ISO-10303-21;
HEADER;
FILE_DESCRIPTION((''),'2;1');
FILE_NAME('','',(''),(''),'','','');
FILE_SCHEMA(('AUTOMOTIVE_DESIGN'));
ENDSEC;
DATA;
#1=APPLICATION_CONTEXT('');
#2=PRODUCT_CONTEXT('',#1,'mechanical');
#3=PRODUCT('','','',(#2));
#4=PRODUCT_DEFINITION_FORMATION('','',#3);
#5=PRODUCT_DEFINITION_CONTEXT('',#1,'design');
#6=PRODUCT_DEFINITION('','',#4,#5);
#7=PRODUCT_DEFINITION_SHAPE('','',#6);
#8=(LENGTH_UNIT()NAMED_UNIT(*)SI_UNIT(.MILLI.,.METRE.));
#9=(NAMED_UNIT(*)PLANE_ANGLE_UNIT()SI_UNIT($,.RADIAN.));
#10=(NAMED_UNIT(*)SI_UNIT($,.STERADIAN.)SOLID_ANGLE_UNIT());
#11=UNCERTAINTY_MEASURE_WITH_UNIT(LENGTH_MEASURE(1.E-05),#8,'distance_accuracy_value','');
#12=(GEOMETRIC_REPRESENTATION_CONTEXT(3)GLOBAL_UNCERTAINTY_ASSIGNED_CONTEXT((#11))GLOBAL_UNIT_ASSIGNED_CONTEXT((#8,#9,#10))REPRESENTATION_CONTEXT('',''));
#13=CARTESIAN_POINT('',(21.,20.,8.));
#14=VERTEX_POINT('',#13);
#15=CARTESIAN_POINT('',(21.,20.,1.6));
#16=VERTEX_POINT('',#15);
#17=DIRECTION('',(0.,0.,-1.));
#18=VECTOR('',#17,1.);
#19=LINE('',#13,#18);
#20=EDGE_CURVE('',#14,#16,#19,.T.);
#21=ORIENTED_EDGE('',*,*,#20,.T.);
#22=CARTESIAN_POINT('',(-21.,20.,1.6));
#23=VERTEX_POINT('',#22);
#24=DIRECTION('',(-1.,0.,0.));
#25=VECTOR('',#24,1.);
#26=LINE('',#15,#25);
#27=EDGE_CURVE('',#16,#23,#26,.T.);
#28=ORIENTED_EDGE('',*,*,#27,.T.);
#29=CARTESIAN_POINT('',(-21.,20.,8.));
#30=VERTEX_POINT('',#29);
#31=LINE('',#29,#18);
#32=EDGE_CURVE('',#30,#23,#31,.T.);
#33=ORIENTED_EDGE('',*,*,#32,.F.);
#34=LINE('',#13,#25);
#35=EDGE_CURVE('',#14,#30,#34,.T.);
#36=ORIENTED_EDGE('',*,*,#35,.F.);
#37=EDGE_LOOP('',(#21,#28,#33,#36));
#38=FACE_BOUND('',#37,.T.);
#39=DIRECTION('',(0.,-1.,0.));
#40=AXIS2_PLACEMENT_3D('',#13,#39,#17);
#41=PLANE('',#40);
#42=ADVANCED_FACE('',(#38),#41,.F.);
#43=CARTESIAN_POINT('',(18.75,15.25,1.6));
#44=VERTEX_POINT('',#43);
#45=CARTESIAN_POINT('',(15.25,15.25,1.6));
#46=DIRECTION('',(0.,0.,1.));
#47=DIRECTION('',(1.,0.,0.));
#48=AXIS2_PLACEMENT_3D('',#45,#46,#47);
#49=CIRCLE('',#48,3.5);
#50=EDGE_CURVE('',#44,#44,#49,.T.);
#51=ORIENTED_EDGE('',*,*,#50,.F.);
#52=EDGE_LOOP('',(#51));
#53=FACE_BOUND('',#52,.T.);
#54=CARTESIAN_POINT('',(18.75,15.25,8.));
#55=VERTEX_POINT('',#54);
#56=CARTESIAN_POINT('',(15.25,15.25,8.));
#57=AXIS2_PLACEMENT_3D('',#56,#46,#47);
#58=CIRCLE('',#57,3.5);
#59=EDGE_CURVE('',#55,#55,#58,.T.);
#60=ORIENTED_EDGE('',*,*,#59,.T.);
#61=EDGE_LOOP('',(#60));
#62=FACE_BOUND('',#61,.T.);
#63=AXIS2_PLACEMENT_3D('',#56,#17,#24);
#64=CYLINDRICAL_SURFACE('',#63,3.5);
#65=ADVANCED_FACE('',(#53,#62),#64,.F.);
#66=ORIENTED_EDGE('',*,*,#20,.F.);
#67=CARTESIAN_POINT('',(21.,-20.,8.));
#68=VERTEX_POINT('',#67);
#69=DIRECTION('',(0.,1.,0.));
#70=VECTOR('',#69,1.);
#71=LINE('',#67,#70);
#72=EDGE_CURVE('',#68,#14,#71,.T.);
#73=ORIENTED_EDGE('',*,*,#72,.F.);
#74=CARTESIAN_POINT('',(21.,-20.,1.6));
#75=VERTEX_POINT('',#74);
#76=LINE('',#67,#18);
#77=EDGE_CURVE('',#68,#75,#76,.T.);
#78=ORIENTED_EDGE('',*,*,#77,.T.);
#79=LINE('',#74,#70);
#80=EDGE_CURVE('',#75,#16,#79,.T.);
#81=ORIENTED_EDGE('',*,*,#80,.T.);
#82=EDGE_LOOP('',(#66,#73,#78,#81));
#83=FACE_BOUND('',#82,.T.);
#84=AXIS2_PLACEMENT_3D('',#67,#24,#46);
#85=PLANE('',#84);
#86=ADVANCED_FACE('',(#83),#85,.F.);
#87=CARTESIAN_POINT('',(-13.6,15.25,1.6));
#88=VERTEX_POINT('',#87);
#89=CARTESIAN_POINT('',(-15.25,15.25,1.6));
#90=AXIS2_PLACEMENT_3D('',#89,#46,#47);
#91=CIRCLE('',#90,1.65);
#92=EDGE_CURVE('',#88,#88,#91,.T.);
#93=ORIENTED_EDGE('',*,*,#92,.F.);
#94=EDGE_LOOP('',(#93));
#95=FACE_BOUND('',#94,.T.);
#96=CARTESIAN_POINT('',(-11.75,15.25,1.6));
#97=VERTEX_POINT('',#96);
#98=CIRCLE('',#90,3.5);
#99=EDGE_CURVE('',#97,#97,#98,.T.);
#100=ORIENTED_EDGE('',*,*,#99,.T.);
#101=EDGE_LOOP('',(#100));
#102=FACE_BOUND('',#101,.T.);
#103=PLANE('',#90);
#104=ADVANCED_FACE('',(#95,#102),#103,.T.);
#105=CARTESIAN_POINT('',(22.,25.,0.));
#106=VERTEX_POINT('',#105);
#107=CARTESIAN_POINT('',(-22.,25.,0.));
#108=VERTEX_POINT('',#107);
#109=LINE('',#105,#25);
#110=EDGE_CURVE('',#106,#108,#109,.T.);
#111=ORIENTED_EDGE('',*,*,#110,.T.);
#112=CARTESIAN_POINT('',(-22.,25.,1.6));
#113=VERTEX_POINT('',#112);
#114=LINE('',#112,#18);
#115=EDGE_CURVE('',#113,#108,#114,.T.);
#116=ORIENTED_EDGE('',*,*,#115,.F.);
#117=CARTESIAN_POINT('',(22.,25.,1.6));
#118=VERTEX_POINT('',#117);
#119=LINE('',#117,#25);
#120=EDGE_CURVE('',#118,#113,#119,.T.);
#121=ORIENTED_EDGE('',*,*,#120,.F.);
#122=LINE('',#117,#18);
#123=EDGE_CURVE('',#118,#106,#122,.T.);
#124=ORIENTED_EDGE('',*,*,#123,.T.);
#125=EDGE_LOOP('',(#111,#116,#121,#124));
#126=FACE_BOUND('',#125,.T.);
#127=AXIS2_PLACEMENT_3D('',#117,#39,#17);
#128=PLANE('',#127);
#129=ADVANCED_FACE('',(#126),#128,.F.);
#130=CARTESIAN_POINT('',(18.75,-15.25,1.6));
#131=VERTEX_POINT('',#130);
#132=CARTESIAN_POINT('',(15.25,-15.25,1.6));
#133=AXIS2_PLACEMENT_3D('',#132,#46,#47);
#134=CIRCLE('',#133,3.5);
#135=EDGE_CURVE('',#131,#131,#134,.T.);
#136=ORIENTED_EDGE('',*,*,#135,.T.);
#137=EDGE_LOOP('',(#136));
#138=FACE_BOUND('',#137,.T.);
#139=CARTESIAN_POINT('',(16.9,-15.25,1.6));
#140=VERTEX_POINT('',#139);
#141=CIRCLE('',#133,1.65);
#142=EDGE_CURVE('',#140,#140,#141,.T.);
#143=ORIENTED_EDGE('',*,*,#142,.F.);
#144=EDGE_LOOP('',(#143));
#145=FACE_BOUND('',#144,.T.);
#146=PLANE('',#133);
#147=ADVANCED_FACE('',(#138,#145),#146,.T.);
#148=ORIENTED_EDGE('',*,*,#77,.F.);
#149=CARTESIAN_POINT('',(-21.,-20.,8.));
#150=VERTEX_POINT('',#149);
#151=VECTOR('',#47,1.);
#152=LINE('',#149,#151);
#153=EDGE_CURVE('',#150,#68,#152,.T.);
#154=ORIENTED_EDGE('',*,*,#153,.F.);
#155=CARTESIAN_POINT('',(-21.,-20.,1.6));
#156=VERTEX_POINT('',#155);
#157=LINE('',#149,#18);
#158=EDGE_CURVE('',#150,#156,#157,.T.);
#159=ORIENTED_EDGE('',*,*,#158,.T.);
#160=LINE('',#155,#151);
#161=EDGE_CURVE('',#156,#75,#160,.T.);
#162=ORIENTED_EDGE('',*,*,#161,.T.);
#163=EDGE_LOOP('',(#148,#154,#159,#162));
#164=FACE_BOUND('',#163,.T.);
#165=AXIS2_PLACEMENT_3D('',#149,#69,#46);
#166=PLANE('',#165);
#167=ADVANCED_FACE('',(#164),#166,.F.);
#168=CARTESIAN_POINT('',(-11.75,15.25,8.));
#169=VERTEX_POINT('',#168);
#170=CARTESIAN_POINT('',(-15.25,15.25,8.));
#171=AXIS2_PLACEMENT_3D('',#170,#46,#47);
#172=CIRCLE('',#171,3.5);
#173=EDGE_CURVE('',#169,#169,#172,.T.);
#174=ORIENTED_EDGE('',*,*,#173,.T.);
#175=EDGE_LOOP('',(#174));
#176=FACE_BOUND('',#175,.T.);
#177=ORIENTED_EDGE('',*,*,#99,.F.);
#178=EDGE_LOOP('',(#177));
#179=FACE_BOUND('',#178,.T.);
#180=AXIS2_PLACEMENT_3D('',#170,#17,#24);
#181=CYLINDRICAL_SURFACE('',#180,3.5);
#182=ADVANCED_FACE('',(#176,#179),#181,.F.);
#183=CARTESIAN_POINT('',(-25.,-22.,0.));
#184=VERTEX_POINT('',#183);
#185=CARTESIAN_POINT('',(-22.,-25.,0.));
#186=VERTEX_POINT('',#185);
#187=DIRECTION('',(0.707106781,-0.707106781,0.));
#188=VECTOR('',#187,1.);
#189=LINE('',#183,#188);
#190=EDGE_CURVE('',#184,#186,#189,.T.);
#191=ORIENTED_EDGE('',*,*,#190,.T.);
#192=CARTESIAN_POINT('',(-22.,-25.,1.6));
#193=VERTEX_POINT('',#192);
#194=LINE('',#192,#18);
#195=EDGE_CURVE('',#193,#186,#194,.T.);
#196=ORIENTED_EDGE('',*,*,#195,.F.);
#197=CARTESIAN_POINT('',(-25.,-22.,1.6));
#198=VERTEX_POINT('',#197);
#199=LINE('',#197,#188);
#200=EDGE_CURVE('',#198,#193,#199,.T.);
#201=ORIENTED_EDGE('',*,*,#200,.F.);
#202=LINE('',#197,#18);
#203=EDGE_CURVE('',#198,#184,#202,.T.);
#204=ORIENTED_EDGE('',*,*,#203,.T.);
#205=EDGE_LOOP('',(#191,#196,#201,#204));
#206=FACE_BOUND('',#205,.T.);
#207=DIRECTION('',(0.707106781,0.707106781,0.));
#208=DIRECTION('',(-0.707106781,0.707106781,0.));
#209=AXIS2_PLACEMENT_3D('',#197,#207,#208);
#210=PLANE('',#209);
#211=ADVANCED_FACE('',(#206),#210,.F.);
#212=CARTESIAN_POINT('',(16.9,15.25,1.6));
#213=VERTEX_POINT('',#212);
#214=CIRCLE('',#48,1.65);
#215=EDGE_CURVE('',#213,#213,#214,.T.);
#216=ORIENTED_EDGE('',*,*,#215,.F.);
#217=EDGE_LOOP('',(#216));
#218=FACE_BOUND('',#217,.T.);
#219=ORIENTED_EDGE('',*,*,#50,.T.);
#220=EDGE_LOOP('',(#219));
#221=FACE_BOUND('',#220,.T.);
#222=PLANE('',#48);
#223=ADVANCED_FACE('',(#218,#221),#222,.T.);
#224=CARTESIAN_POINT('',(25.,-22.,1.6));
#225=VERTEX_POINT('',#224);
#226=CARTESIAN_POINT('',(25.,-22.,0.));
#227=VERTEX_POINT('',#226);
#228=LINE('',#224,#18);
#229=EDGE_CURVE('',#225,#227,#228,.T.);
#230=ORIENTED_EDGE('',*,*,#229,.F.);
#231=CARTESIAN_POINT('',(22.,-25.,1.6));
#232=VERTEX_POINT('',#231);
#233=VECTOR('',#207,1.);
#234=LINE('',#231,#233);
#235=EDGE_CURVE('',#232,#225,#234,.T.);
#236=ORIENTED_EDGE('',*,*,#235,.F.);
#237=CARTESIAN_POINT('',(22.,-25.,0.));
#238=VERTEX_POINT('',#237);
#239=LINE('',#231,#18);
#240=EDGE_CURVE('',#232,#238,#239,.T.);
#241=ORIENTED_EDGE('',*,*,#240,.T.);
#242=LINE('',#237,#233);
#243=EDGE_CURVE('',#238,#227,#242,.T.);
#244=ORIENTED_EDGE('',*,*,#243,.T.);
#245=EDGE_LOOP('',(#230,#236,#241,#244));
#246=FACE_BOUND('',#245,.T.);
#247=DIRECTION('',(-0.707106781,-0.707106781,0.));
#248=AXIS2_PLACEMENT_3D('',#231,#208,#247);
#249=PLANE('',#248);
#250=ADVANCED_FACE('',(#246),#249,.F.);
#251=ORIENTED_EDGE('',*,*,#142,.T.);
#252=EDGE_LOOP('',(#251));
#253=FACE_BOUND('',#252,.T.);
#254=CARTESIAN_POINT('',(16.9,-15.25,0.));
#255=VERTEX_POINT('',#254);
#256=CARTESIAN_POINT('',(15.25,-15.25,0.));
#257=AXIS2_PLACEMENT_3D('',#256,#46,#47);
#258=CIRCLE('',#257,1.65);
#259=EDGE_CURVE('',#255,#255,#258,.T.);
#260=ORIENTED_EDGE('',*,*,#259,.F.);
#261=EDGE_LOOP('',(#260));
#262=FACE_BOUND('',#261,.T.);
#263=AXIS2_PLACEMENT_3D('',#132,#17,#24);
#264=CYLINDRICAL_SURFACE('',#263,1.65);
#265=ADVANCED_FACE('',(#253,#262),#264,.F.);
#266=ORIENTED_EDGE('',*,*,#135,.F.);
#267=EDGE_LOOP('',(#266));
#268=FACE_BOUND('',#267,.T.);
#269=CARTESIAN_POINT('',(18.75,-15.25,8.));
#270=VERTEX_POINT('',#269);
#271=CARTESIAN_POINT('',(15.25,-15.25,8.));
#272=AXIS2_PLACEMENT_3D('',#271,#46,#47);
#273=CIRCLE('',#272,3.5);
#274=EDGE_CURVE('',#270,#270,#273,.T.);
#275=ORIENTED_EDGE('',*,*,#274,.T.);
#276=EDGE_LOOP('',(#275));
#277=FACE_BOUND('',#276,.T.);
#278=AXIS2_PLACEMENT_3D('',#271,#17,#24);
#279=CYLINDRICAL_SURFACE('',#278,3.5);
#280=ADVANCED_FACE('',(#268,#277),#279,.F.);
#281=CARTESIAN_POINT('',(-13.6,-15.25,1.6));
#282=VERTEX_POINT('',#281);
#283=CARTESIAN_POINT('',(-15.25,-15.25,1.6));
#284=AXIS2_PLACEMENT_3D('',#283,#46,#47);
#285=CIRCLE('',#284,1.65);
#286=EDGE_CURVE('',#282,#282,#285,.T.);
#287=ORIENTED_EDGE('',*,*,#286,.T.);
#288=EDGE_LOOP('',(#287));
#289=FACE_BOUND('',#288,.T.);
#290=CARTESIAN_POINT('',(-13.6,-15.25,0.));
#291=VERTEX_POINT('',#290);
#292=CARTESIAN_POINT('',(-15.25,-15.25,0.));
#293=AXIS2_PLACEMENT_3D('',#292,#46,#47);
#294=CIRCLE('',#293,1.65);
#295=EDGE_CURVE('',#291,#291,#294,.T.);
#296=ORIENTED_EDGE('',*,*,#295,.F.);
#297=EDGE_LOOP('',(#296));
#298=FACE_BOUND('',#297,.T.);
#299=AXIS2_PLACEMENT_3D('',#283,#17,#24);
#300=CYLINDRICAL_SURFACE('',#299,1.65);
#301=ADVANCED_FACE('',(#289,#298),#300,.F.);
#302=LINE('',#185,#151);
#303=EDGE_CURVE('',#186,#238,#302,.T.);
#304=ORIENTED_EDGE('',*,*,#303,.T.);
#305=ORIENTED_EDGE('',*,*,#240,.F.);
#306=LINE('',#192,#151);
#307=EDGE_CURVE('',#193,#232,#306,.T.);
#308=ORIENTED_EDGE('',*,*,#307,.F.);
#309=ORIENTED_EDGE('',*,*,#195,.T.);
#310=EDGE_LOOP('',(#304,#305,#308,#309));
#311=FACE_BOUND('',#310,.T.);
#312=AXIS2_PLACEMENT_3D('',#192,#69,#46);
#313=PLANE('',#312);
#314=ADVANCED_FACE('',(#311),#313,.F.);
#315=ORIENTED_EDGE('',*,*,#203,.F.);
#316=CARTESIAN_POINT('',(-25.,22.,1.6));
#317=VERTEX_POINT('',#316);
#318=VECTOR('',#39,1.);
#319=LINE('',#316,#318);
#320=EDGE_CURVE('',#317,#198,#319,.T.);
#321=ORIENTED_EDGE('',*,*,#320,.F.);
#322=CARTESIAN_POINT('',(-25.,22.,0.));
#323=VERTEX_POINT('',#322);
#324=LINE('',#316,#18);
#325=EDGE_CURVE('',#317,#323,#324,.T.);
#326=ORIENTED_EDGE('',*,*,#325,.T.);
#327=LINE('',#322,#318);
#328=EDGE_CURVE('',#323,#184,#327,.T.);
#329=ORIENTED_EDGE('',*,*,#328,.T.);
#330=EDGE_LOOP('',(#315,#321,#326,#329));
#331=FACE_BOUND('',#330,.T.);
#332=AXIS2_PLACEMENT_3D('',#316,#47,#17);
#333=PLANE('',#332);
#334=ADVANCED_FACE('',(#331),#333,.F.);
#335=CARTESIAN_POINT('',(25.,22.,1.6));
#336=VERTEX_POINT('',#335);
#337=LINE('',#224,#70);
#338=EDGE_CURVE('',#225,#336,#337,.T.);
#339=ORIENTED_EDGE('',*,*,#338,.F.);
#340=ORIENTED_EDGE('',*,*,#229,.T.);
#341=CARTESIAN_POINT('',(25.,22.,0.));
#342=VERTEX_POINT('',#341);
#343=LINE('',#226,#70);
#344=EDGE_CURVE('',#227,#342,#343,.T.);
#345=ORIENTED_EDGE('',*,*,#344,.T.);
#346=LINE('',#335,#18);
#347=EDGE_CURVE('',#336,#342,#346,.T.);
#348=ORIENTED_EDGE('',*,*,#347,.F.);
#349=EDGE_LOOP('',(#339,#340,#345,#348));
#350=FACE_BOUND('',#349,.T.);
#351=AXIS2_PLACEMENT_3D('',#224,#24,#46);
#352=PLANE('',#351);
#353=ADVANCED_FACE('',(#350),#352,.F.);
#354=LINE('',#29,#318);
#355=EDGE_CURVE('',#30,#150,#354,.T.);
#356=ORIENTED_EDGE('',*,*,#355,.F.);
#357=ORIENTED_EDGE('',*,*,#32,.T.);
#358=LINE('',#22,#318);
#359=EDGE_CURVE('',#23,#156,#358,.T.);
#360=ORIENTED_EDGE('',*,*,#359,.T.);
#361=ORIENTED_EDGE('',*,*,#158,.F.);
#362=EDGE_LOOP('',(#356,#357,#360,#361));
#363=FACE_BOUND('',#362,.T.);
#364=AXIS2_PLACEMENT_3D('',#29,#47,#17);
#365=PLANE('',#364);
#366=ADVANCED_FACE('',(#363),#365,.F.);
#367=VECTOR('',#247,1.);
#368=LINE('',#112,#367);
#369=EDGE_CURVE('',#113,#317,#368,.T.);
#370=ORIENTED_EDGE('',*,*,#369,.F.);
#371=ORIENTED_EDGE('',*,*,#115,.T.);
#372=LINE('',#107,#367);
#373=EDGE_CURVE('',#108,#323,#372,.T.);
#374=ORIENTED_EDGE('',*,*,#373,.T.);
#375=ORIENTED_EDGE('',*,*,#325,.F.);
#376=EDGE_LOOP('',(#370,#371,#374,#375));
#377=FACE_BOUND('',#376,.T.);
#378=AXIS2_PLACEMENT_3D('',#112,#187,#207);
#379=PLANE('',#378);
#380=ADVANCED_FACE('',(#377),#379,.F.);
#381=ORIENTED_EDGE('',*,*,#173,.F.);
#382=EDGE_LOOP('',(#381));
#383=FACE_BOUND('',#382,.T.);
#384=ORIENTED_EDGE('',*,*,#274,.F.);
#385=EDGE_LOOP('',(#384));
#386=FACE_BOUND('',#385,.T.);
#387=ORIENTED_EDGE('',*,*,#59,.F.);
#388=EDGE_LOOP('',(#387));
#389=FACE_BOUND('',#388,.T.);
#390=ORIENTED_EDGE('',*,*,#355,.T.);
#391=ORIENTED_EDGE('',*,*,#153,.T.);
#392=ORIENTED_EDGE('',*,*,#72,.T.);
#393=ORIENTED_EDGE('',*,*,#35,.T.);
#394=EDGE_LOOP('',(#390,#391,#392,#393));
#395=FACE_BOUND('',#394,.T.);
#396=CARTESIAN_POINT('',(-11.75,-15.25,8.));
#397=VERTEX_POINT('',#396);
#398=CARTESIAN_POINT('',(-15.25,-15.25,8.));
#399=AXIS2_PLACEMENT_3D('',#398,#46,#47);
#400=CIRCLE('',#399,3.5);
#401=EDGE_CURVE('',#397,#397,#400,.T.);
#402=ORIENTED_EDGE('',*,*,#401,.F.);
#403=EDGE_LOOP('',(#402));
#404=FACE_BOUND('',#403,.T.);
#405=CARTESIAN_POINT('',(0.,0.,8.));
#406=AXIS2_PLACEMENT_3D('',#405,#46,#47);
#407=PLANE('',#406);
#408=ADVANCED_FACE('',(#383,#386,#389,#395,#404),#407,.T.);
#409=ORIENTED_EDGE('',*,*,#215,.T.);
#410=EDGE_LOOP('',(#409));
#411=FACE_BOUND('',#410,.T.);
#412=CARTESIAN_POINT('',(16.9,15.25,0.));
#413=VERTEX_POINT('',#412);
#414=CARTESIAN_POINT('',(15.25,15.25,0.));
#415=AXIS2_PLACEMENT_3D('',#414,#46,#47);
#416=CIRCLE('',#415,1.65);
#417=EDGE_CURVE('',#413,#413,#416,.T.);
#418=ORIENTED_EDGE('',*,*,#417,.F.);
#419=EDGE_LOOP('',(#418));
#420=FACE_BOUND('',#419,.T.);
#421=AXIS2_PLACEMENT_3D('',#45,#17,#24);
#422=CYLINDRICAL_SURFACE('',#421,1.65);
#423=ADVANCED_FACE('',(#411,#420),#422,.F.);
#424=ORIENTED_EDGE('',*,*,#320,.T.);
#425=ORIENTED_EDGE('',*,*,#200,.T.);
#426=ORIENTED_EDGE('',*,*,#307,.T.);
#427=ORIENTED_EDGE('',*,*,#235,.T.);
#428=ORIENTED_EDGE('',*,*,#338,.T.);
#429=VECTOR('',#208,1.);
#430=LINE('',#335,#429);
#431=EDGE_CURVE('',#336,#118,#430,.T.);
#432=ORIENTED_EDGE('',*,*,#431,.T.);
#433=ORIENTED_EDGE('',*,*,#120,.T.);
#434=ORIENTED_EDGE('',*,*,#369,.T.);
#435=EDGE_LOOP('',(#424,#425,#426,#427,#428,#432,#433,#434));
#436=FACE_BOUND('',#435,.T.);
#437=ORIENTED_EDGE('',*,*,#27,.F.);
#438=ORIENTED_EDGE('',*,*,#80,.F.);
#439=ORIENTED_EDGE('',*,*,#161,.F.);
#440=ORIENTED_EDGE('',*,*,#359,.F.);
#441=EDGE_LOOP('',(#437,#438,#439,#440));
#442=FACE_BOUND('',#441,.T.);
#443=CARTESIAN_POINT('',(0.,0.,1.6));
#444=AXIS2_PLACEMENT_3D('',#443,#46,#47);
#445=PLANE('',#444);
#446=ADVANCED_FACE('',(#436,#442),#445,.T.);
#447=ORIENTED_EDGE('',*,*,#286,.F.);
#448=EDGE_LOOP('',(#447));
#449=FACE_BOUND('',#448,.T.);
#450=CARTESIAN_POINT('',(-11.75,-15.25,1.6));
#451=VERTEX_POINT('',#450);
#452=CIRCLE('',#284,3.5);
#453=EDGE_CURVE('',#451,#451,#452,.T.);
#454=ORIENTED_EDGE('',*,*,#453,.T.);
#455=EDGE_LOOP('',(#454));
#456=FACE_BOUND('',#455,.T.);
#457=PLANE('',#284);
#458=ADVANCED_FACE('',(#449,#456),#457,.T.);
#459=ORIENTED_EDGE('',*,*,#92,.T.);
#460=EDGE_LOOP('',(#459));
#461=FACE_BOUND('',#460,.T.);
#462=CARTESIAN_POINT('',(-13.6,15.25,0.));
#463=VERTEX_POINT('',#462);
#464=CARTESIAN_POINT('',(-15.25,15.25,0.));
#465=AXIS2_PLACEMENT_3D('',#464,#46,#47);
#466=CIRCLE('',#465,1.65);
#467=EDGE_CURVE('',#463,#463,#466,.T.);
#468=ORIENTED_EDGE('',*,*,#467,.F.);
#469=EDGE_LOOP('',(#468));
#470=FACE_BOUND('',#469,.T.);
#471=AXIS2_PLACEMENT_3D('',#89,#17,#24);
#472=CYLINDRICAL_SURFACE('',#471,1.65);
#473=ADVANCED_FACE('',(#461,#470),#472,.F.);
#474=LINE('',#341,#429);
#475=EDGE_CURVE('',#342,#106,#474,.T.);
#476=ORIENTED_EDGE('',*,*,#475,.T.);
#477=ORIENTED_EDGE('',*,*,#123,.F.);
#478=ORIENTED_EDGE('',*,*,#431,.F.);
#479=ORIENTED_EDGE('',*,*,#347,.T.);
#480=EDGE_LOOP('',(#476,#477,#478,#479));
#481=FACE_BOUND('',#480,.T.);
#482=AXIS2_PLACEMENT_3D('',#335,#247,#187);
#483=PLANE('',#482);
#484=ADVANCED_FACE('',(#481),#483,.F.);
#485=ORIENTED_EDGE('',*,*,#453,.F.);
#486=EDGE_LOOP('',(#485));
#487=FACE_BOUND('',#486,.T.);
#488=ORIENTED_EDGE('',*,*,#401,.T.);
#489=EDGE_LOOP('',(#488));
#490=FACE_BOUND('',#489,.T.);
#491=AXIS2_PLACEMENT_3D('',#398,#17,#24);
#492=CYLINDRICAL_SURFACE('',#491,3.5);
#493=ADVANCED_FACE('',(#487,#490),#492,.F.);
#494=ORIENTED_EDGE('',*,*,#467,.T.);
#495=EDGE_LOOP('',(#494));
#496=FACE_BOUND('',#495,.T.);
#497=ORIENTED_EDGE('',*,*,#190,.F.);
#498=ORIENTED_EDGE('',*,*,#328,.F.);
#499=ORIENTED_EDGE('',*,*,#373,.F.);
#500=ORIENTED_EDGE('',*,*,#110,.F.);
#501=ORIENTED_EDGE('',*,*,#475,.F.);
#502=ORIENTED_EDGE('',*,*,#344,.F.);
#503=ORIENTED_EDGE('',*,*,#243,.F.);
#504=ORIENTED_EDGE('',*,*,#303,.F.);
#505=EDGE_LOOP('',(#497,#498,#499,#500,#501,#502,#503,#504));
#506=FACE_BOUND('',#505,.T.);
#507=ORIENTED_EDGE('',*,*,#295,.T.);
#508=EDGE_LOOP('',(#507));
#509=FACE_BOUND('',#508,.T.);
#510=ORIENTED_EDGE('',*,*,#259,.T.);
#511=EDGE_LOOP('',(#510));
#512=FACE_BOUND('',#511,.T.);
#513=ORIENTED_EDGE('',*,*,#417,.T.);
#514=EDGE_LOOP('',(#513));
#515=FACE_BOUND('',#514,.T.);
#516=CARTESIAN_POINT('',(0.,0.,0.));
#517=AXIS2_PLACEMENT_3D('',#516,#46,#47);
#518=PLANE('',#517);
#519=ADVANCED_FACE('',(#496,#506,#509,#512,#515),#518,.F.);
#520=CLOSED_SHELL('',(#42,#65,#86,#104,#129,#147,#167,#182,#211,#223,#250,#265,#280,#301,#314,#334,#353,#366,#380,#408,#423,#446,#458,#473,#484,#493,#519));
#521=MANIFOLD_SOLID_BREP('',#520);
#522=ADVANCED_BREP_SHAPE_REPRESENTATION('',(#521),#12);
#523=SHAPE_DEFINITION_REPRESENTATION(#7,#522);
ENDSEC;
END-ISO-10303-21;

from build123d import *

# Parameters (mm, degrees)
SKETCH_1_R            = 1.65
EXTRUDE_241_DEPTH     = 1.6
EXTRUDE_START         = 1.6
SKETCH_2_W            = 42
SKETCH_2_H            = 40
EXTRUDE_307_DEPTH     = 6.4
CUT_EXTRUDE_START     = 1.6
SKETCH_3_R            = 3.5
CUT_EXTRUDE_391_DEPTH = 6.4


with BuildPart() as part:
    # 草图1 → Extrude 241 (new body)
    with BuildSketch(Plane.XY):
        Polygon((-22, -25), (22, -25), (25, -22), (25, 22), (22, 25), (-22, 25), (-25, 22), (-25, -22), align=None)
        with Locations((-15.25, -15.25)):
            Circle(SKETCH_1_R, mode=Mode.SUBTRACT)
        with Locations((-15.25, 15.25)):
            Circle(SKETCH_1_R, mode=Mode.SUBTRACT)
        with Locations((15.25, -15.25)):
            Circle(SKETCH_1_R, mode=Mode.SUBTRACT)
        with Locations((15.25, 15.25)):
            Circle(SKETCH_1_R, mode=Mode.SUBTRACT)
    extrude(amount=EXTRUDE_241_DEPTH)

    # 草图2 → Extrude 307 (add)
    with BuildSketch(Plane.XY.offset(EXTRUDE_START)):
        Rectangle(SKETCH_2_W, SKETCH_2_H)
    extrude(amount=EXTRUDE_307_DEPTH)

    # 草图3 → Cut-Extrude 391 (cut)
    with BuildSketch(Plane.XY.offset(CUT_EXTRUDE_START)):
        with Locations((-15.25, -15.25)):
            Circle(SKETCH_3_R)
        with Locations((-15.25, 15.25)):
            Circle(SKETCH_3_R)
        with Locations((15.25, -15.25)):
            Circle(SKETCH_3_R)
        with Locations((15.25, 15.25)):
            Circle(SKETCH_3_R)
    extrude(amount=CUT_EXTRUDE_391_DEPTH, mode=Mode.SUBTRACT)


solid = part.part
